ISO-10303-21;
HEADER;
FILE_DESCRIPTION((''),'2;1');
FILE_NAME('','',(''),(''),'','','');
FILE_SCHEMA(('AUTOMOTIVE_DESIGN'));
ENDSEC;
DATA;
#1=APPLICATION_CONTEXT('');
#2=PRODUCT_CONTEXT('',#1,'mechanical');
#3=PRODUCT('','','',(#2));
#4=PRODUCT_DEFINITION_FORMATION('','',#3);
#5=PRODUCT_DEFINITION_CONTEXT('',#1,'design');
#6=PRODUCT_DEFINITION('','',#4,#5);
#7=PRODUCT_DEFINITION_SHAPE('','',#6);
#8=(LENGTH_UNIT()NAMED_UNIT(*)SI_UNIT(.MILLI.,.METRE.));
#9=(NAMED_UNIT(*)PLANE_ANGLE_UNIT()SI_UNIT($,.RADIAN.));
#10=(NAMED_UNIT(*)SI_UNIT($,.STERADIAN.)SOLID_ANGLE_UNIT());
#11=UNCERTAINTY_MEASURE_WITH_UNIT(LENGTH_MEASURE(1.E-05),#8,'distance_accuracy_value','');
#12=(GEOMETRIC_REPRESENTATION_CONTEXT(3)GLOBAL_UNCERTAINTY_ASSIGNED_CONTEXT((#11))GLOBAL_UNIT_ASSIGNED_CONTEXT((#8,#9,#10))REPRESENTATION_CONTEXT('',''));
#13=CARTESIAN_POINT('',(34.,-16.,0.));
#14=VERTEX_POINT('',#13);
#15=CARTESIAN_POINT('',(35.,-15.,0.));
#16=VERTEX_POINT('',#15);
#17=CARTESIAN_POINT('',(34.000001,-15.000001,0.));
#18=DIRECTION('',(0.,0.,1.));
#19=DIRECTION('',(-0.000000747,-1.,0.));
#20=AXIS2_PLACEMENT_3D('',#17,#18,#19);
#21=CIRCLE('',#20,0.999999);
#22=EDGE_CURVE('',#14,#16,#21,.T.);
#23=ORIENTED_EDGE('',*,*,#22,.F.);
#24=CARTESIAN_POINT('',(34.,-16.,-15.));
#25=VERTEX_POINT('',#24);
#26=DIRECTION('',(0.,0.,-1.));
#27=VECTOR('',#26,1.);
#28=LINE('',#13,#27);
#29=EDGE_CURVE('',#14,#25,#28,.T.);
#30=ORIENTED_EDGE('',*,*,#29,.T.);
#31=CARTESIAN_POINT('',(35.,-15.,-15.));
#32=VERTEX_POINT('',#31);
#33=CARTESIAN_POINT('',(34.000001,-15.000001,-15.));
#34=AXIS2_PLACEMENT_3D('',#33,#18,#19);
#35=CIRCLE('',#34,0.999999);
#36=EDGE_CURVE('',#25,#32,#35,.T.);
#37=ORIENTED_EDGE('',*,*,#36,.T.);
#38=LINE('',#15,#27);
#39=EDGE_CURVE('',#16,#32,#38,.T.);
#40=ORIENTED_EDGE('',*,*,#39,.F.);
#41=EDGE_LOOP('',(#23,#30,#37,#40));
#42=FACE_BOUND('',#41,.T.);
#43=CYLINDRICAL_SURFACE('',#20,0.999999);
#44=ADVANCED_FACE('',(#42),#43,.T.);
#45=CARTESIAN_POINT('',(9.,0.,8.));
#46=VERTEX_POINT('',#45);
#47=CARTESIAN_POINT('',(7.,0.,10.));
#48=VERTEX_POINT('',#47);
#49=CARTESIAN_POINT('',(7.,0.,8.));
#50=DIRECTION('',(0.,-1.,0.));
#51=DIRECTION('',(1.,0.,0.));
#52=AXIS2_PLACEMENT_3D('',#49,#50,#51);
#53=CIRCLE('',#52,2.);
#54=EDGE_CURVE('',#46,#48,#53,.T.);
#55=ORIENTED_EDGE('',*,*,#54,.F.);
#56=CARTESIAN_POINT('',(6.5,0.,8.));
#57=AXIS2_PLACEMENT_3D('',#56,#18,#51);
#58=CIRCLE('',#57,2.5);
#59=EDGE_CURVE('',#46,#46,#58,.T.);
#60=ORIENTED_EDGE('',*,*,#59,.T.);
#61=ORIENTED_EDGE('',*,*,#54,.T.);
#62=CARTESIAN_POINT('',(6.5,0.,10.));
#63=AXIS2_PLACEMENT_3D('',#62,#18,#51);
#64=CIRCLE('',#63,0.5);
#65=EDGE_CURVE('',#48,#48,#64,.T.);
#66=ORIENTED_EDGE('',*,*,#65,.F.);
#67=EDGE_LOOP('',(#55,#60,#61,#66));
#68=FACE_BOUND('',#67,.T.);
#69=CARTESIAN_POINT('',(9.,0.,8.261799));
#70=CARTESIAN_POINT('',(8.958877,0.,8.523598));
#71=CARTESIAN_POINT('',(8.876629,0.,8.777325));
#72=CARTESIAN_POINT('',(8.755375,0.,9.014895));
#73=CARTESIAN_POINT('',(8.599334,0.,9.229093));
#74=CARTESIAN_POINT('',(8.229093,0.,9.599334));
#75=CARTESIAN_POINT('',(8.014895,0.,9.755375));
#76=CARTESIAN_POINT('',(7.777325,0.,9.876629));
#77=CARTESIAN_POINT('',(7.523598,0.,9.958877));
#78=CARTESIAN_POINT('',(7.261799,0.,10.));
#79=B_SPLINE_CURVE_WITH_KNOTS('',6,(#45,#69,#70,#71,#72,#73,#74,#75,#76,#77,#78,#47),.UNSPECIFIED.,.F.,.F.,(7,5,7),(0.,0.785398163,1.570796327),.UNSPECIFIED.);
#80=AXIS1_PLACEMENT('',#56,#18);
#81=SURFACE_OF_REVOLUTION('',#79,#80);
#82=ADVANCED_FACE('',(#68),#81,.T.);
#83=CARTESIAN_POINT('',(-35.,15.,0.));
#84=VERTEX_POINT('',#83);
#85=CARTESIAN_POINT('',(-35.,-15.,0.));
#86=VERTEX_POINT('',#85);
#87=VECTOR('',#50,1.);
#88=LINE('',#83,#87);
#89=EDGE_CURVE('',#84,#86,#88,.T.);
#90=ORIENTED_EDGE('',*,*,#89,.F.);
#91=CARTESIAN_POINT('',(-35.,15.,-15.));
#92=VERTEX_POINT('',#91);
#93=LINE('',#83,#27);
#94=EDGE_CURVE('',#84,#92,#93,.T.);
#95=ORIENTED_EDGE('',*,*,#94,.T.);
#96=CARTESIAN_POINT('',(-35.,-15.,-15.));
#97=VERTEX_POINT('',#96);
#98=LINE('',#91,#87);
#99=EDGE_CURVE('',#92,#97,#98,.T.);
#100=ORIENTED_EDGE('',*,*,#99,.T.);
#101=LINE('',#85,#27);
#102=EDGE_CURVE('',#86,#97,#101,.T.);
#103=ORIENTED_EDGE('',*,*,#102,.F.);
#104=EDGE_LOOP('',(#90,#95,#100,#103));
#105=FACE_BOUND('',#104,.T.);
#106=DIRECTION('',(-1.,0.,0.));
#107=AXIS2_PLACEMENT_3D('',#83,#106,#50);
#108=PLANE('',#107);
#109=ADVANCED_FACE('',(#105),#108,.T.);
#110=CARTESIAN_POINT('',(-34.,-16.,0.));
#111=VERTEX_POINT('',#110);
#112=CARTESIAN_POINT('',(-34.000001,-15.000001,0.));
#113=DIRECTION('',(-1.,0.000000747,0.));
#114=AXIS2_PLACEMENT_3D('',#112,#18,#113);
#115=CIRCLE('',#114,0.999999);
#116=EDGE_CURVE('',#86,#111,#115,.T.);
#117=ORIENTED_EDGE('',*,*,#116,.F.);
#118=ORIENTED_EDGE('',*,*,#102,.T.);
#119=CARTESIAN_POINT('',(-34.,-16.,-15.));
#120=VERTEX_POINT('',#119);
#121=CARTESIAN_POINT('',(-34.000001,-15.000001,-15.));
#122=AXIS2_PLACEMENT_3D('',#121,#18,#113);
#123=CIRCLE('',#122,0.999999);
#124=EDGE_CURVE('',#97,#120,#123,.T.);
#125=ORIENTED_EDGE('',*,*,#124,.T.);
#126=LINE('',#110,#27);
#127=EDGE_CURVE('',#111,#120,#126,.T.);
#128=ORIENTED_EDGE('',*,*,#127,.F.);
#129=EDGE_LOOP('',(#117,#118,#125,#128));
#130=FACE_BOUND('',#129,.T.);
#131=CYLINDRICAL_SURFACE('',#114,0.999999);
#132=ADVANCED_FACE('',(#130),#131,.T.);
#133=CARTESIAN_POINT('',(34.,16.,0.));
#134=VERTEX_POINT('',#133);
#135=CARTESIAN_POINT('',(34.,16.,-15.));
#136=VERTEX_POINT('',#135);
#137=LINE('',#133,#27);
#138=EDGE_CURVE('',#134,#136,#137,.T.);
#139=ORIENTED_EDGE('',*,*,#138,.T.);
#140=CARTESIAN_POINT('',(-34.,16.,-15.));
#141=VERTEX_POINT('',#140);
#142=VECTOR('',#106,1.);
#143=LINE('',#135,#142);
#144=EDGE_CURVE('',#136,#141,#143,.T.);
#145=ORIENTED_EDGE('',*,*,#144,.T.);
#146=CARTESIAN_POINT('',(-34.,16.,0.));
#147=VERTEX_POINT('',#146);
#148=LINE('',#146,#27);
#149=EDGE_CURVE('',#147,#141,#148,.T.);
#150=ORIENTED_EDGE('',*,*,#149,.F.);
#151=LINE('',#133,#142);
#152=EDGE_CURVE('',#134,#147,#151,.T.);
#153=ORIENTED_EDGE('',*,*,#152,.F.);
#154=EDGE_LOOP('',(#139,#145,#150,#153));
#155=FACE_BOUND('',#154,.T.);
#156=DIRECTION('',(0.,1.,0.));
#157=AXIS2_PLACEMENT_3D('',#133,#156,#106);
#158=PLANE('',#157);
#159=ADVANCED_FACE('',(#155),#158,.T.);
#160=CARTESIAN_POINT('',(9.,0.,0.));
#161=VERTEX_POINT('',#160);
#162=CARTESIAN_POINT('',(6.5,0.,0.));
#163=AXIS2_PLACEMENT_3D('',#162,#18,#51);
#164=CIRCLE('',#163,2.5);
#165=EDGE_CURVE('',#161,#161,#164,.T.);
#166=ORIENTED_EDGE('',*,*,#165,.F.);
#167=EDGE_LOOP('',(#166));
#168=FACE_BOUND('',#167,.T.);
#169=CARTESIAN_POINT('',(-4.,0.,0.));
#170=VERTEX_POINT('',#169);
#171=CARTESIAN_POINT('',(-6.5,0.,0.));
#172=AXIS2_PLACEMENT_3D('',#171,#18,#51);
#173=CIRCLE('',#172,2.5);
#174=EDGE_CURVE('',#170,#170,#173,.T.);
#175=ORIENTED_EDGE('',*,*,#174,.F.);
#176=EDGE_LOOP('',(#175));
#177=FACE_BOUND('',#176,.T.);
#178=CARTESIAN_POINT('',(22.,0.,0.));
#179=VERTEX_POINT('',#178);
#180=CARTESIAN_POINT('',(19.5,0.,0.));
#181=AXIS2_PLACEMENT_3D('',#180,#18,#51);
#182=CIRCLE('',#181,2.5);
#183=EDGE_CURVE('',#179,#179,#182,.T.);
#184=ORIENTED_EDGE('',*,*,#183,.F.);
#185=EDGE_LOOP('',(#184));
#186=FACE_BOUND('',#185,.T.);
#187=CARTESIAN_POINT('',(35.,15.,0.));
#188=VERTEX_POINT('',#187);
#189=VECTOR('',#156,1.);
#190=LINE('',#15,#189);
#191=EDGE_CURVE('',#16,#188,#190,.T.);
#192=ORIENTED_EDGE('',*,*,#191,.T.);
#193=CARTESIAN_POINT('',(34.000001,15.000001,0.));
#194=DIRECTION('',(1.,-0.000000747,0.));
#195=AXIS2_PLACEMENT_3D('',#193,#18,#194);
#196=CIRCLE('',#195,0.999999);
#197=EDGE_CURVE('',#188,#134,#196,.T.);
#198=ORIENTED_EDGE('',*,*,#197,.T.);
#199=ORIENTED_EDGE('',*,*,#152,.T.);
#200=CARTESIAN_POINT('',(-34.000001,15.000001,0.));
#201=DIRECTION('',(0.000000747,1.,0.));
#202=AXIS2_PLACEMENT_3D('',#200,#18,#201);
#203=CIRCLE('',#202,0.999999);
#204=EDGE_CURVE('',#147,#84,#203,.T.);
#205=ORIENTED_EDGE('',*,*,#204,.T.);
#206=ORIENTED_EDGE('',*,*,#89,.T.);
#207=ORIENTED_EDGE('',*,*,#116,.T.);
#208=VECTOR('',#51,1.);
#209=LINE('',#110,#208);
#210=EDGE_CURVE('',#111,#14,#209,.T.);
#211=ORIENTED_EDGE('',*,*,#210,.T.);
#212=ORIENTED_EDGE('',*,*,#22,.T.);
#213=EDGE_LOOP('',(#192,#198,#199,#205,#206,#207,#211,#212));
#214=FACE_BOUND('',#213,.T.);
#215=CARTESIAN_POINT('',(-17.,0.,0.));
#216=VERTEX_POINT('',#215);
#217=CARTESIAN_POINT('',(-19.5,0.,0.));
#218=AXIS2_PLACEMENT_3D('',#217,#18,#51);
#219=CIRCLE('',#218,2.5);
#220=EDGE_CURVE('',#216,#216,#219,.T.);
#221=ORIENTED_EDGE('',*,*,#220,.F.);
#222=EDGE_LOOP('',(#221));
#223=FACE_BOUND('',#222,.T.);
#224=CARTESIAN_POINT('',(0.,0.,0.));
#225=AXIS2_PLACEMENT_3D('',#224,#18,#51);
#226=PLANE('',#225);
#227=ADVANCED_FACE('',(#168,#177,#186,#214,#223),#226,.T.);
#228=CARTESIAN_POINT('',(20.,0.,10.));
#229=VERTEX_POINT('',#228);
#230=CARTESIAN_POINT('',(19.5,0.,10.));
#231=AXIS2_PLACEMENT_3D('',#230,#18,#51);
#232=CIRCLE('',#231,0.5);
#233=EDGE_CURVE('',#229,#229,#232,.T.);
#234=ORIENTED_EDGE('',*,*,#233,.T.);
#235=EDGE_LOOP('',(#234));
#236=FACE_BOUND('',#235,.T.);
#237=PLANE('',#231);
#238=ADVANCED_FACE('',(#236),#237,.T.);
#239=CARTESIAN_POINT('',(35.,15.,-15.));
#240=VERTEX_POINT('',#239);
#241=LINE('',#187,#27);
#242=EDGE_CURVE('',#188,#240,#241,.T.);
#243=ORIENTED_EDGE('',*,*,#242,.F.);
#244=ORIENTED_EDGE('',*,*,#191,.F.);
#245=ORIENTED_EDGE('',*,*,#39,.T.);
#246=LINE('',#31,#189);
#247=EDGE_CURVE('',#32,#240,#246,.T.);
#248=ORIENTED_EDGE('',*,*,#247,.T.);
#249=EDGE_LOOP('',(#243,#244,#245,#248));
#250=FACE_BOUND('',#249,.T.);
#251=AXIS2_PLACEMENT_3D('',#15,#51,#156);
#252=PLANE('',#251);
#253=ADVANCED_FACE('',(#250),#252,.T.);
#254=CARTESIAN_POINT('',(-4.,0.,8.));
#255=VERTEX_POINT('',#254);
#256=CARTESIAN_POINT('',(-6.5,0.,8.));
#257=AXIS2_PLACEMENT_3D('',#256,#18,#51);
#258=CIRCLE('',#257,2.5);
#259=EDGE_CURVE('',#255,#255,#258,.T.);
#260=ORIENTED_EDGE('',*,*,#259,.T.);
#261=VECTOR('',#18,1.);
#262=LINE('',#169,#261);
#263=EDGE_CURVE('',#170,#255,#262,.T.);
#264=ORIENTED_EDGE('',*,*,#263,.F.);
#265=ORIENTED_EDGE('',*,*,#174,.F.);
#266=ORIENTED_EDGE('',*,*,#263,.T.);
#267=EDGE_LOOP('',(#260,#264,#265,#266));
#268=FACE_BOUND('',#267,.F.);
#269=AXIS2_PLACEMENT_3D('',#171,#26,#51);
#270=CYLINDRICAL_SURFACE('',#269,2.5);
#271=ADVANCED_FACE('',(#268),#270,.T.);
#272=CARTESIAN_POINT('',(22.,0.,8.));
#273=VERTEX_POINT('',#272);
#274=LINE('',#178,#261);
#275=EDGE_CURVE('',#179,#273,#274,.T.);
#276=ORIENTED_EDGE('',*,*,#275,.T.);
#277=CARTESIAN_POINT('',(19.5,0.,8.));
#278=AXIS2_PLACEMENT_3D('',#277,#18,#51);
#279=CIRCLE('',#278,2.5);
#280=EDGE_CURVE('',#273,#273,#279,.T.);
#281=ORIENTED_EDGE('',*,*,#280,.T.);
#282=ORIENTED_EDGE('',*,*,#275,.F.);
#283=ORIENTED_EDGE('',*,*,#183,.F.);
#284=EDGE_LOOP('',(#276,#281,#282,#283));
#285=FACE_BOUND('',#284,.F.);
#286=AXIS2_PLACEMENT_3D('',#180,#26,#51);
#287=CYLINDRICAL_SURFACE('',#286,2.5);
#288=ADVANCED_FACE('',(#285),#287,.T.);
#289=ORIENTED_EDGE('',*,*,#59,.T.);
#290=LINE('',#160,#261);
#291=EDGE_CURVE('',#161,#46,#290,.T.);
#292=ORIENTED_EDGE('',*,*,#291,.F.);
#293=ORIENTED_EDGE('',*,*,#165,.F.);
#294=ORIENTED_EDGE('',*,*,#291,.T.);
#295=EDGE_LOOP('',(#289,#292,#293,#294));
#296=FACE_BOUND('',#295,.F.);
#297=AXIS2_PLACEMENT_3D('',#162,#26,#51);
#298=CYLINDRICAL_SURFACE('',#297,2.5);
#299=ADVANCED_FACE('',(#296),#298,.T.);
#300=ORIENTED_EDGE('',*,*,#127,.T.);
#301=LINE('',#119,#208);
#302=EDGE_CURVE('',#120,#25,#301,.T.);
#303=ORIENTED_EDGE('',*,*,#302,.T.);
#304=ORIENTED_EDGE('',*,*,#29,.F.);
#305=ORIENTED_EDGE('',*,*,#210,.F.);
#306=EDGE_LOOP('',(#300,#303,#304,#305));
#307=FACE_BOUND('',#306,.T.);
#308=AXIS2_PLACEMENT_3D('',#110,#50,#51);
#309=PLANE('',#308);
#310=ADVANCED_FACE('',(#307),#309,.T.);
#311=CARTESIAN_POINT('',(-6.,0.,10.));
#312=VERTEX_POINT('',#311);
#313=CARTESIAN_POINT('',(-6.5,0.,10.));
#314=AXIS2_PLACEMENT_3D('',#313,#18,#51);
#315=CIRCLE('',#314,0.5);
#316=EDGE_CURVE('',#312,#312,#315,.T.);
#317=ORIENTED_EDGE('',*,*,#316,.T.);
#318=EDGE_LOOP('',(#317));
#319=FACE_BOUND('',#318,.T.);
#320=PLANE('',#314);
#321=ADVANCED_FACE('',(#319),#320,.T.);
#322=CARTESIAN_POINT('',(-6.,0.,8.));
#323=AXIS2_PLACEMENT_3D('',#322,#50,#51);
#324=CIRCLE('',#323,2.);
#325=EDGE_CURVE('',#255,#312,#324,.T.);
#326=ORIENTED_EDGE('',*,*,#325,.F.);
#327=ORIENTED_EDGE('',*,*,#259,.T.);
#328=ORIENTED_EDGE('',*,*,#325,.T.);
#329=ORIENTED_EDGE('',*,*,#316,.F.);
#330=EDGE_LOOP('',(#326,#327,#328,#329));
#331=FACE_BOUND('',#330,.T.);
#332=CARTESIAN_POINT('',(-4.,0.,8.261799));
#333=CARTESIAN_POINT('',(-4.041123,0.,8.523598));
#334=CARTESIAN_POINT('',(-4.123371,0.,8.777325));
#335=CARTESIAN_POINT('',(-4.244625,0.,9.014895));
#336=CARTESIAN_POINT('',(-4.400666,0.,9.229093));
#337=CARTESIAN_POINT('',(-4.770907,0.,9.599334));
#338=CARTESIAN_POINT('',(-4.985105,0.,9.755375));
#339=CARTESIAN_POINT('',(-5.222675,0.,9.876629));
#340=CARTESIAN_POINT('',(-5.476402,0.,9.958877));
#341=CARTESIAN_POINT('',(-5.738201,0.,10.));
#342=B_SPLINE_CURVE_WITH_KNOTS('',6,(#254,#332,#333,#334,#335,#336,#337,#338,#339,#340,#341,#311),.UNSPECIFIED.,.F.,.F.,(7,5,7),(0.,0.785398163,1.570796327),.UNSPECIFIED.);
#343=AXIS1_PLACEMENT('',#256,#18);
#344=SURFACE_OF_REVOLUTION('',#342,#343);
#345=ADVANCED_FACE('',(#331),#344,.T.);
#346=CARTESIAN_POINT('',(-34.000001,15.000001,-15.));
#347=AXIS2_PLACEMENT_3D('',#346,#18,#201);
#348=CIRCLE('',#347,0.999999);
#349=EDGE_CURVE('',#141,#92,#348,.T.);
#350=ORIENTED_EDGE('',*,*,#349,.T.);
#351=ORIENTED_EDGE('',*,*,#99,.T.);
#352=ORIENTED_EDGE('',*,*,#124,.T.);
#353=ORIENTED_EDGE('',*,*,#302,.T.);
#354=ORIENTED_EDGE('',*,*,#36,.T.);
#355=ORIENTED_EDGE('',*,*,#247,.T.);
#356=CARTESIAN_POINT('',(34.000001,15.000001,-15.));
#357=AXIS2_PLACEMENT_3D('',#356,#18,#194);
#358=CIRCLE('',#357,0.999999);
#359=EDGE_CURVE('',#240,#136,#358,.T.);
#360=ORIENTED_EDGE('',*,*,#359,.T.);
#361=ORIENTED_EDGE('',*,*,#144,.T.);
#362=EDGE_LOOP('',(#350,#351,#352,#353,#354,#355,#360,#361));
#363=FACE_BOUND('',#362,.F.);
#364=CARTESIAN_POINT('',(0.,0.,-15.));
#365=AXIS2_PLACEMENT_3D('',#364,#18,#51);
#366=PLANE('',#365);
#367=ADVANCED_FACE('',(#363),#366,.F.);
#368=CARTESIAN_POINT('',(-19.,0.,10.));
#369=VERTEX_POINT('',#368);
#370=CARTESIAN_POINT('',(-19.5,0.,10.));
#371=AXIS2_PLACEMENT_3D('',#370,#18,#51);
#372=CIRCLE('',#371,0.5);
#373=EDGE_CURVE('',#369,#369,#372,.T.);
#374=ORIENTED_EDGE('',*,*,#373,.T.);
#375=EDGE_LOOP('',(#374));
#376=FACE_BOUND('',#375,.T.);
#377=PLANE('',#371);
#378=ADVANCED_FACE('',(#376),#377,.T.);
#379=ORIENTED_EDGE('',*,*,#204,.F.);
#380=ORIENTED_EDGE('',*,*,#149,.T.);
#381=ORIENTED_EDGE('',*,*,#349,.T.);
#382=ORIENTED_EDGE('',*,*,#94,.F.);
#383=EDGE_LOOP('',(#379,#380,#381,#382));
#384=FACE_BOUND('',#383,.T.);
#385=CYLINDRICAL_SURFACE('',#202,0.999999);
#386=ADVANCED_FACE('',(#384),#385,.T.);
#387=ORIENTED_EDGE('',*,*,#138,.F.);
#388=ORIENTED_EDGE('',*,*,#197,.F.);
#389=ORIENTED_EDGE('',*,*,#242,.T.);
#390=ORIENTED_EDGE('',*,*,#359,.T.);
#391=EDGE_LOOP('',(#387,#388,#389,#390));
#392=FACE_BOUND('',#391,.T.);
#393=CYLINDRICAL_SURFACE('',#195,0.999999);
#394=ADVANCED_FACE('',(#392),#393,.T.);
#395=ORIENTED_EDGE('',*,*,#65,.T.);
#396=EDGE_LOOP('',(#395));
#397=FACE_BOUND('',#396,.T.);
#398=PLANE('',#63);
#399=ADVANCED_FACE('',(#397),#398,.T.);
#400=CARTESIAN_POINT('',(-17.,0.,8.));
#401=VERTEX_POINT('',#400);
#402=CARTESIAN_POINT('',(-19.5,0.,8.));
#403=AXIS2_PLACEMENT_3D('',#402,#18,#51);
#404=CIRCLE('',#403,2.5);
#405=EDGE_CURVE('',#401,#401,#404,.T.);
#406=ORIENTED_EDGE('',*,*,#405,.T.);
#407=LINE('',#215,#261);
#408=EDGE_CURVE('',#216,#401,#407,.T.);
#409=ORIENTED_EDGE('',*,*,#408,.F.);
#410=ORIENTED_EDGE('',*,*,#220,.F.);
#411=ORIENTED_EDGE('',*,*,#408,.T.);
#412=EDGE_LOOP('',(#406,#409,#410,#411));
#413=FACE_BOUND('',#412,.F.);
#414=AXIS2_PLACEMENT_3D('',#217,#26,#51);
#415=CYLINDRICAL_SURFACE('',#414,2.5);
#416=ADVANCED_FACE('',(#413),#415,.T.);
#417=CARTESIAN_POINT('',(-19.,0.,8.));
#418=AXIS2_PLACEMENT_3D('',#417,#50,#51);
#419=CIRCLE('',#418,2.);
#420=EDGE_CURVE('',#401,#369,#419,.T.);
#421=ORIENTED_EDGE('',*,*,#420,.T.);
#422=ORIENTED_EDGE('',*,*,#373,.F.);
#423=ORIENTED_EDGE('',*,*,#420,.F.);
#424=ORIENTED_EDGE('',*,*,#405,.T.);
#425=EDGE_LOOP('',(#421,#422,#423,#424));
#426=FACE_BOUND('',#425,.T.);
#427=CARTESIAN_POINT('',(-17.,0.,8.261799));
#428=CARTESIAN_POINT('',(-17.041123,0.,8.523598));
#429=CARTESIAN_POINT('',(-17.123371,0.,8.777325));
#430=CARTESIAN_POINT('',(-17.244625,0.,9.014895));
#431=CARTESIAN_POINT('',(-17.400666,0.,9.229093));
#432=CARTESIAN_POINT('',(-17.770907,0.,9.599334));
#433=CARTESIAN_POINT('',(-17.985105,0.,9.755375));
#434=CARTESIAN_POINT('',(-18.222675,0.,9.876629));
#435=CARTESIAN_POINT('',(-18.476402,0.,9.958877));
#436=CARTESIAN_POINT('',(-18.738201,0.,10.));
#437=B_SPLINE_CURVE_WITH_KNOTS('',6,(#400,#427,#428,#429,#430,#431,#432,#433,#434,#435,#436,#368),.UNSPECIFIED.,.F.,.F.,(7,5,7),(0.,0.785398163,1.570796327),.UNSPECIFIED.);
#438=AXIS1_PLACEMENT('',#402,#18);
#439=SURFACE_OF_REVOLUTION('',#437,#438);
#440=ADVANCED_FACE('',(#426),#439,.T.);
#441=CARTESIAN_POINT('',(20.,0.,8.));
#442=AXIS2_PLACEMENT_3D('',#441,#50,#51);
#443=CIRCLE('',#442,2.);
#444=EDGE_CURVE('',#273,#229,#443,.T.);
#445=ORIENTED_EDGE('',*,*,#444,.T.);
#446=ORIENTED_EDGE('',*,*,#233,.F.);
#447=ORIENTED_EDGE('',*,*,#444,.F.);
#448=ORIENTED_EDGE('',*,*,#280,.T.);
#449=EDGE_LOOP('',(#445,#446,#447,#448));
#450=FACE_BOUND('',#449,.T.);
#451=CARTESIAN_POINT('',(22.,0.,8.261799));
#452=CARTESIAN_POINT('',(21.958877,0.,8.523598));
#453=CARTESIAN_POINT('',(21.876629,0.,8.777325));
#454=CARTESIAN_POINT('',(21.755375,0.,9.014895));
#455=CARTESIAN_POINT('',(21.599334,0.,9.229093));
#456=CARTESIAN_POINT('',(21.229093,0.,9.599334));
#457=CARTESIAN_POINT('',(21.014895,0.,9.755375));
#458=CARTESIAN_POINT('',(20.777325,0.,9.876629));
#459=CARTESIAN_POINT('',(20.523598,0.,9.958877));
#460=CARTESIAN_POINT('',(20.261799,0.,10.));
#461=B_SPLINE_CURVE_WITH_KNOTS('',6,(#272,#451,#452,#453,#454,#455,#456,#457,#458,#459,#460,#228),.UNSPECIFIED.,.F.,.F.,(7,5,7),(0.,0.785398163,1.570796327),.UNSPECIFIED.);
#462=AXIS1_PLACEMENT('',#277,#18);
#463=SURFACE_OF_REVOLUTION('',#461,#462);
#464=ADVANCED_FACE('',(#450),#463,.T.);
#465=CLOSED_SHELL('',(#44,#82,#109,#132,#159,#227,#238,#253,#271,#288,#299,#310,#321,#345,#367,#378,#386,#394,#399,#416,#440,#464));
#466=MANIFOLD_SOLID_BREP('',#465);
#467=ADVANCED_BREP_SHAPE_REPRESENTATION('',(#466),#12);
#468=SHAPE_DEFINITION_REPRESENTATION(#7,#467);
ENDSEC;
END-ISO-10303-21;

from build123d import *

# Parameters (mm, degrees)
F1_DEPTH = 15
F2_R     = 2.5
F3_DEPTH = 10
F4_R     = 2


with BuildPart() as f1:
    # F0 (on Top) → F1 (new body)
    with BuildSketch(Plane.XY):
        with BuildLine():
            Line((34, 16), (-34, 16))
            ThreePointArc((-34, 16), (-34.707107, 15.707107), (-35, 15))
            Line((-35, 15), (-35, -15))
            ThreePointArc((-35, -15), (-34.707107, -15.707107), (-34, -16))
            Line((-34, -16), (34, -16))
            ThreePointArc((34, -16), (34.707107, -15.707107), (35, -15))
            Line((35, -15), (35, 15))
            ThreePointArc((35, 15), (34.707107, 15.707107), (34, 16))
        make_face()
    extrude(amount=-F1_DEPTH)

    # F2 (on face) → F3 (join)
    with BuildSketch(Plane.XY):
        with Locations((-19.5, 0)):
            Circle(F2_R)
        with Locations((-6.5, 0)):
            Circle(F2_R)
        with Locations((6.5, 0)):
            Circle(F2_R)
        with Locations((19.5, 0)):
            Circle(F2_R)
    extrude(amount=F3_DEPTH)

    # F4
    f4_edges = [f1.edges().sort_by_distance(p)[0] for p in [
        (17, 0, 10),
        (4, 0, 10),
        (-9, 0, 10),
        (-22, 0, 10),
    ]]
    fillet(f4_edges, radius=F4_R)


solid = f1.part
